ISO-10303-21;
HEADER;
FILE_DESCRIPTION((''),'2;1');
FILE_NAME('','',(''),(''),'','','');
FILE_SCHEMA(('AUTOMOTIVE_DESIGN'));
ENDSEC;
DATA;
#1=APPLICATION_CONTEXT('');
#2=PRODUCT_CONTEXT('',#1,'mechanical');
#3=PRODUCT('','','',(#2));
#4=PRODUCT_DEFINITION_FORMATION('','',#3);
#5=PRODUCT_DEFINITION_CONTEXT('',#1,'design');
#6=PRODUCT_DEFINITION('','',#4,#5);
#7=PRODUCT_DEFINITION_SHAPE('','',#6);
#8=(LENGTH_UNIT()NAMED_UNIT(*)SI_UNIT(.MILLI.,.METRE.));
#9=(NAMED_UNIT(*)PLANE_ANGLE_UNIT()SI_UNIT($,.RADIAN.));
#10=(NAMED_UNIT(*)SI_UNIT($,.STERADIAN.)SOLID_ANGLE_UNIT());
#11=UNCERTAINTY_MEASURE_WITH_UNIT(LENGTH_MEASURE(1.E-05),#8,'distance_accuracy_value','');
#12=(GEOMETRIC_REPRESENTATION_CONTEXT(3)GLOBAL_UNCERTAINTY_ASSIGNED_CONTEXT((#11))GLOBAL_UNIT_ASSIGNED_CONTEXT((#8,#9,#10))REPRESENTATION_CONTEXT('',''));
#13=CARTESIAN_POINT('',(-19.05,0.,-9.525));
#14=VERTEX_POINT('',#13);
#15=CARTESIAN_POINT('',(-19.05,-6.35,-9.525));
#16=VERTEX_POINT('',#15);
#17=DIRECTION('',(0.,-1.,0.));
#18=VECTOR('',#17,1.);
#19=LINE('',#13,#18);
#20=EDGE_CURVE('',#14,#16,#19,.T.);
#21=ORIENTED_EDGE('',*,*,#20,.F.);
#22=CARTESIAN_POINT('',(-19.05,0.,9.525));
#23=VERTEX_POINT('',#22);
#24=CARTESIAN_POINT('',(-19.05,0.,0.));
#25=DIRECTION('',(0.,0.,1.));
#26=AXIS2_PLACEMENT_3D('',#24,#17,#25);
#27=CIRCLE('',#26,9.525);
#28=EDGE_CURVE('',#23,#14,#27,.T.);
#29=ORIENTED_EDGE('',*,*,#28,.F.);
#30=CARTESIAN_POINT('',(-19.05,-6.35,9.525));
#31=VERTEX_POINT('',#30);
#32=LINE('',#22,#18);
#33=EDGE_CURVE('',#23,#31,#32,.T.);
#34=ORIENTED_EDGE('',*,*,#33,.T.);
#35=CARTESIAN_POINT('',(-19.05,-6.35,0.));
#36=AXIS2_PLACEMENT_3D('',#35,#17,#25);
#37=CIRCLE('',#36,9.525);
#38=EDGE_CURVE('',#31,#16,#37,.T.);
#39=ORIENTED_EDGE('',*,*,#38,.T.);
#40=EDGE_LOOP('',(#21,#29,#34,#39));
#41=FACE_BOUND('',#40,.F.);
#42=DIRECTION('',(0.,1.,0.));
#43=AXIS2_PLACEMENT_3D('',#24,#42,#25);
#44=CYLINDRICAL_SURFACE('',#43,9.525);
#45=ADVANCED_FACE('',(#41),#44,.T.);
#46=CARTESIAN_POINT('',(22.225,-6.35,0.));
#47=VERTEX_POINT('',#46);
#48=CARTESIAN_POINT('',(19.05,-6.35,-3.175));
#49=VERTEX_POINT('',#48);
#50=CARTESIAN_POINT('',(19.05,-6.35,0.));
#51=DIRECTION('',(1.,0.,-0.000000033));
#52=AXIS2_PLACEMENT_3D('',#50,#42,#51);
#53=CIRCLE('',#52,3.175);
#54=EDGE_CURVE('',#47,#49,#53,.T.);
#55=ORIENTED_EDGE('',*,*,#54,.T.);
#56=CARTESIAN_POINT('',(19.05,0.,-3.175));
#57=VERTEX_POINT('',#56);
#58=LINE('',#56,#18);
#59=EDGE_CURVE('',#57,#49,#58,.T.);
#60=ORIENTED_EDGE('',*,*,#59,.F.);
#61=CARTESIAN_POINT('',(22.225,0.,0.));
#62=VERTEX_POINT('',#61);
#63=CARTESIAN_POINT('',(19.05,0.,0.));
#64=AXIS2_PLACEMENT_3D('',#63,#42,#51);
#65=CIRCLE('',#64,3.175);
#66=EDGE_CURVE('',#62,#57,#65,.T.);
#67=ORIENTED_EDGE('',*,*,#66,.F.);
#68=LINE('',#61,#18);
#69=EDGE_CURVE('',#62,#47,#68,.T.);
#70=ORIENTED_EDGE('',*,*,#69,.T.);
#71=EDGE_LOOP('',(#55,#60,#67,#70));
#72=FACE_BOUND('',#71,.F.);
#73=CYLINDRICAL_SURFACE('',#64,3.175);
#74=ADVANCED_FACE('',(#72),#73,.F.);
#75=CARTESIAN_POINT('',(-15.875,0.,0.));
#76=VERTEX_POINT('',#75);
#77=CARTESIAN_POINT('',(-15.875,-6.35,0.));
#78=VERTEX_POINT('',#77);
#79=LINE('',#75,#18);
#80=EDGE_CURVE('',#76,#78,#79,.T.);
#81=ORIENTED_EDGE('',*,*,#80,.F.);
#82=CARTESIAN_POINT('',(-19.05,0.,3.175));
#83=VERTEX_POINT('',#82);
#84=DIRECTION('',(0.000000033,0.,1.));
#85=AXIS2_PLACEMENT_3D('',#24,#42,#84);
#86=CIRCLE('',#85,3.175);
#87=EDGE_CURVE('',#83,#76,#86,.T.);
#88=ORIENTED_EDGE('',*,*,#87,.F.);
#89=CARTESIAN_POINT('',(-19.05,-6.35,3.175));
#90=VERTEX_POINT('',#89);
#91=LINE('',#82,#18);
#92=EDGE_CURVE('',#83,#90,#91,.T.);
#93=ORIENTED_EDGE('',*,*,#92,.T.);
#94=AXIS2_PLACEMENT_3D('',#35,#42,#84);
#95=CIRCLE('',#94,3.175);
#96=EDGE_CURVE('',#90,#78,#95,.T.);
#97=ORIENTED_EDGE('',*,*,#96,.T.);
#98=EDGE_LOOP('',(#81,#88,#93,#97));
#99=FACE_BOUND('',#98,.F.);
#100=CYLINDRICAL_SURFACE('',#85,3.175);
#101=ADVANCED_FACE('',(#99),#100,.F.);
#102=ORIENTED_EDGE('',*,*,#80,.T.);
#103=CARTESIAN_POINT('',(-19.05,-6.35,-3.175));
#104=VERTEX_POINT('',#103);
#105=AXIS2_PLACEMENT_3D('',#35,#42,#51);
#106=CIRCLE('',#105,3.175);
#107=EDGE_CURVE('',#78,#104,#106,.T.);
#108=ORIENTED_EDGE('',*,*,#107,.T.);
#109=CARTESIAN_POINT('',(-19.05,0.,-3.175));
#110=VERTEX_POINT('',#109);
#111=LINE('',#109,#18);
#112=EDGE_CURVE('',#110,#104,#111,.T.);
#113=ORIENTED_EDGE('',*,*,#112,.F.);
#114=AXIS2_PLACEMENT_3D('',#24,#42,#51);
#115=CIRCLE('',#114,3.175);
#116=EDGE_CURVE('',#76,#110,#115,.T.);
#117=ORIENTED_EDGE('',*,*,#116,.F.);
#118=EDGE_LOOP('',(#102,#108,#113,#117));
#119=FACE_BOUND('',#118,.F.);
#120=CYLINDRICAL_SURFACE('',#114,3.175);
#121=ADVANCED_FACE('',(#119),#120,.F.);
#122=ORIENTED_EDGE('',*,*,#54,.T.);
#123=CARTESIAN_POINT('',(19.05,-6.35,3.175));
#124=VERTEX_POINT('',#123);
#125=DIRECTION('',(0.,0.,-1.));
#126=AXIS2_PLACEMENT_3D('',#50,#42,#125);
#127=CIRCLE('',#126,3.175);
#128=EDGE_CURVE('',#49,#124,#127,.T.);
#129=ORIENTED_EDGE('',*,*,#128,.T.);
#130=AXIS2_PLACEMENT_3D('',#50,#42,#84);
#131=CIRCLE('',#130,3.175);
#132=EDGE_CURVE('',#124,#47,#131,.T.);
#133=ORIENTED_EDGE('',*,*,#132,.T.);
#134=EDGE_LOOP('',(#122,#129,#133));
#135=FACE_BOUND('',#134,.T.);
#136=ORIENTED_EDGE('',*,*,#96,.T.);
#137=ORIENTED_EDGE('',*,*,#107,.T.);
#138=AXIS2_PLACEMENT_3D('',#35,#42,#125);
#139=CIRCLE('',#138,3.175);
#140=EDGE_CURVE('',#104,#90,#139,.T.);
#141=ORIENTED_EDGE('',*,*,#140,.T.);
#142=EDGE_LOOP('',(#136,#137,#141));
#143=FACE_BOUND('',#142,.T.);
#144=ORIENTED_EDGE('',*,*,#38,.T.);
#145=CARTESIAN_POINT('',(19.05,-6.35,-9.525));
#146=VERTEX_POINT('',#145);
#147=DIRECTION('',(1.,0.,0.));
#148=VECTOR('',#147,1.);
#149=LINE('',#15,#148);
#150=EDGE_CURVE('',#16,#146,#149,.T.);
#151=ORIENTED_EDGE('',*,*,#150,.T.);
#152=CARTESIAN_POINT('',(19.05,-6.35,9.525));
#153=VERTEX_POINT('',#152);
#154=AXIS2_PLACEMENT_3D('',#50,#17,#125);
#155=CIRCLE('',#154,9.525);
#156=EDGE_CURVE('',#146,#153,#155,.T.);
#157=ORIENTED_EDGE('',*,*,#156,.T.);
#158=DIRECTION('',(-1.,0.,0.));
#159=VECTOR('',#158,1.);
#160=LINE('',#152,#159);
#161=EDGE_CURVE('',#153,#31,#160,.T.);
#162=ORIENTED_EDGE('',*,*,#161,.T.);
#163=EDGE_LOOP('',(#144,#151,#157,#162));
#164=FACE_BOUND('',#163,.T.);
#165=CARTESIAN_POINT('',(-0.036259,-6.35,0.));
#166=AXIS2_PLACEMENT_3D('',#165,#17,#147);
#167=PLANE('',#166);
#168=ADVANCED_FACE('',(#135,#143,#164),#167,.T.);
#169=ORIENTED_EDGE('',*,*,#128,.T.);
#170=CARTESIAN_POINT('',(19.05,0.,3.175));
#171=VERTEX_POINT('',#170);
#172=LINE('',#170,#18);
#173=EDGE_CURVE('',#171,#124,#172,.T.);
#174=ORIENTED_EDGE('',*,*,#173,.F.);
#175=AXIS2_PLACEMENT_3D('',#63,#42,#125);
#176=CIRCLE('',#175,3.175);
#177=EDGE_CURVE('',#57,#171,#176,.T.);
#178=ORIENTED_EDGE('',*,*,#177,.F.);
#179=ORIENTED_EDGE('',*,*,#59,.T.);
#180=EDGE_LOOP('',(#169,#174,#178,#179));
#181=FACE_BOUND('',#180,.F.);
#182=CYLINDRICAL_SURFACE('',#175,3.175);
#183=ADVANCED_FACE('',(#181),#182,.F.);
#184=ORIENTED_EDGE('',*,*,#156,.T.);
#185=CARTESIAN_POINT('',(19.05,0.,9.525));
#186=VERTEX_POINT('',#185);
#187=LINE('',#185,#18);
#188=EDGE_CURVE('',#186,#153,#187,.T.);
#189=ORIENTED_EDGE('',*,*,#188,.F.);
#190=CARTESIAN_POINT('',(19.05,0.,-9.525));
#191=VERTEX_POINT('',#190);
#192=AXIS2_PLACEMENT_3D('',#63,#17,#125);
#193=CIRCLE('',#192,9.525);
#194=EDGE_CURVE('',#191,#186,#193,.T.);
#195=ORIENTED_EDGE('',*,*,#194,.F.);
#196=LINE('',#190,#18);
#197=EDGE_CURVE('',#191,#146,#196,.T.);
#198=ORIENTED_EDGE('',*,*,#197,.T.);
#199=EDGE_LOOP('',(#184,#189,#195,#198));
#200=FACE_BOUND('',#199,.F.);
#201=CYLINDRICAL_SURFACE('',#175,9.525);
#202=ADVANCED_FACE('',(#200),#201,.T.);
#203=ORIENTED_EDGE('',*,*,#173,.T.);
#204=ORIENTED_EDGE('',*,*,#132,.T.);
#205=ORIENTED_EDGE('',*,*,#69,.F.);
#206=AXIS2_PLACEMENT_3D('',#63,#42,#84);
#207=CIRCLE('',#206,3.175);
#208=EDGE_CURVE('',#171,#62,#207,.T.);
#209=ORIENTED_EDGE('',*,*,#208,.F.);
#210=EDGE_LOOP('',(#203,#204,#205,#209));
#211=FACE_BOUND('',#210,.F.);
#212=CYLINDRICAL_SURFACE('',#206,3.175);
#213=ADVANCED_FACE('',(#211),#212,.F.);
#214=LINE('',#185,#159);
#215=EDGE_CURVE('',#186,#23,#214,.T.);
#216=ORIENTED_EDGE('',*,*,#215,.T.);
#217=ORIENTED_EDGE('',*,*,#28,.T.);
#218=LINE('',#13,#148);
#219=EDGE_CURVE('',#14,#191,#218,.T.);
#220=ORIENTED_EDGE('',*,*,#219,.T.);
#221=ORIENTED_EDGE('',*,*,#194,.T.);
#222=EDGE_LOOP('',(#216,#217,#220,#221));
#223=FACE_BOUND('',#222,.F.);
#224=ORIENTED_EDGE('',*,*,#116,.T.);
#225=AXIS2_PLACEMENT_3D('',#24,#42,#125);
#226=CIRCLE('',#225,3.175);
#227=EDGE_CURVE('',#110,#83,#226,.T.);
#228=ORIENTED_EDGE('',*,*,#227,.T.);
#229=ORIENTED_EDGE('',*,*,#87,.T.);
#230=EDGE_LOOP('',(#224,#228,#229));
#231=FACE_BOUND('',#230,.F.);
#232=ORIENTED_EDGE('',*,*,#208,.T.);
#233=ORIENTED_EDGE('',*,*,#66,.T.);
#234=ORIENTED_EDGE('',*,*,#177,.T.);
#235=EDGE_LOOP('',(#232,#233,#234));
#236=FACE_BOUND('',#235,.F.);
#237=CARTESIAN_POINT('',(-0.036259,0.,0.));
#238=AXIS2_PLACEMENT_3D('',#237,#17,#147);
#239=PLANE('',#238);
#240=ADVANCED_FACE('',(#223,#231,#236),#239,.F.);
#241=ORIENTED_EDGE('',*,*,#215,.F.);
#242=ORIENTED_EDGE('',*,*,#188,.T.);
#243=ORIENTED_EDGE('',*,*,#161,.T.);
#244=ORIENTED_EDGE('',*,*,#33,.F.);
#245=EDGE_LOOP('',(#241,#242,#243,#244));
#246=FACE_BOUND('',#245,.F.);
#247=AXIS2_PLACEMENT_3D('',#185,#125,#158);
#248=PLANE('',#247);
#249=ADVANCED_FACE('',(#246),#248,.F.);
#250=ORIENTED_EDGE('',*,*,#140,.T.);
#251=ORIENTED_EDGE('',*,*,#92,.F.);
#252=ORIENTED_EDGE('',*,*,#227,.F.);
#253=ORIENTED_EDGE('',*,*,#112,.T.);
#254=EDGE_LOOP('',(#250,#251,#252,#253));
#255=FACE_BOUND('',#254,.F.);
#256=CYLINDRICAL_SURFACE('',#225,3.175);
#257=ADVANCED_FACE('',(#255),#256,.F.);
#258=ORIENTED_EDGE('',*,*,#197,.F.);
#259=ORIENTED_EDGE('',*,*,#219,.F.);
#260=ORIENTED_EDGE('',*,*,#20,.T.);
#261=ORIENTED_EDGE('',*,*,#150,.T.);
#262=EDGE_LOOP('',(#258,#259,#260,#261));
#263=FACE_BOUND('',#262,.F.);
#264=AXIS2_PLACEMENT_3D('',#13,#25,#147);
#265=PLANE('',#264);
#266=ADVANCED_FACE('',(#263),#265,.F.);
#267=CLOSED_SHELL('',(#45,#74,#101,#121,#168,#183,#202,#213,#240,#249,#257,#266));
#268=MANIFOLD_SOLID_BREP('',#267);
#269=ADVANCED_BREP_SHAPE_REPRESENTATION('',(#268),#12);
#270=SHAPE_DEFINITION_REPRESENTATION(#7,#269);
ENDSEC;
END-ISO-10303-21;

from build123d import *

# Parameters (mm, degrees)
F1_DEPTH = 6.35


with BuildPart() as f1:
    # F0 (on Front) → F1 (new body)
    with BuildSketch(Plane.XZ):
        with BuildLine():
            Line((19.05, 3.175), (19.05, 9.525))
            Line((19.05, 9.525), (-19.05, 9.525))
            Line((-19.05, 9.525), (-19.05, 3.175))
            ThreePointArc((-19.05, 3.175), (-16.804936, 2.245064), (-15.875, 0))
            ThreePointArc((-15.875, 0), (-16.804936, -2.245064), (-19.05, -3.175))
            Line((-19.05, -3.175), (-19.05, -9.525))
            Line((-19.05, -9.525), (19.05, -9.525))
            Line((19.05, -9.525), (19.05, -3.175))
            ThreePointArc((19.05, -3.175), (15.875, 0), (19.05, 3.175))
        make_face()
        with BuildLine():
            Line((-19.05, 3.175), (-19.05, 9.525))
            ThreePointArc((-19.05, 9.525), (-28.575, 0), (-19.05, -9.525))
            Line((-19.05, -9.525), (-19.05, -3.175))
            ThreePointArc((-19.05, -3.175), (-22.225, 0), (-19.05, 3.175))
        make_face()
        with BuildLine():
            ThreePointArc((19.05, -9.525), (28.575, 0), (19.05, 9.525))
            Line((19.05, 9.525), (19.05, 3.175))
            ThreePointArc((19.05, 3.175), (21.295064, 2.245064), (22.225, 0))
            ThreePointArc((22.225, 0), (21.295064, -2.245064), (19.05, -3.175))
            Line((19.05, -3.175), (19.05, -9.525))
        make_face()
    extrude(amount=F1_DEPTH)


solid = f1.part
